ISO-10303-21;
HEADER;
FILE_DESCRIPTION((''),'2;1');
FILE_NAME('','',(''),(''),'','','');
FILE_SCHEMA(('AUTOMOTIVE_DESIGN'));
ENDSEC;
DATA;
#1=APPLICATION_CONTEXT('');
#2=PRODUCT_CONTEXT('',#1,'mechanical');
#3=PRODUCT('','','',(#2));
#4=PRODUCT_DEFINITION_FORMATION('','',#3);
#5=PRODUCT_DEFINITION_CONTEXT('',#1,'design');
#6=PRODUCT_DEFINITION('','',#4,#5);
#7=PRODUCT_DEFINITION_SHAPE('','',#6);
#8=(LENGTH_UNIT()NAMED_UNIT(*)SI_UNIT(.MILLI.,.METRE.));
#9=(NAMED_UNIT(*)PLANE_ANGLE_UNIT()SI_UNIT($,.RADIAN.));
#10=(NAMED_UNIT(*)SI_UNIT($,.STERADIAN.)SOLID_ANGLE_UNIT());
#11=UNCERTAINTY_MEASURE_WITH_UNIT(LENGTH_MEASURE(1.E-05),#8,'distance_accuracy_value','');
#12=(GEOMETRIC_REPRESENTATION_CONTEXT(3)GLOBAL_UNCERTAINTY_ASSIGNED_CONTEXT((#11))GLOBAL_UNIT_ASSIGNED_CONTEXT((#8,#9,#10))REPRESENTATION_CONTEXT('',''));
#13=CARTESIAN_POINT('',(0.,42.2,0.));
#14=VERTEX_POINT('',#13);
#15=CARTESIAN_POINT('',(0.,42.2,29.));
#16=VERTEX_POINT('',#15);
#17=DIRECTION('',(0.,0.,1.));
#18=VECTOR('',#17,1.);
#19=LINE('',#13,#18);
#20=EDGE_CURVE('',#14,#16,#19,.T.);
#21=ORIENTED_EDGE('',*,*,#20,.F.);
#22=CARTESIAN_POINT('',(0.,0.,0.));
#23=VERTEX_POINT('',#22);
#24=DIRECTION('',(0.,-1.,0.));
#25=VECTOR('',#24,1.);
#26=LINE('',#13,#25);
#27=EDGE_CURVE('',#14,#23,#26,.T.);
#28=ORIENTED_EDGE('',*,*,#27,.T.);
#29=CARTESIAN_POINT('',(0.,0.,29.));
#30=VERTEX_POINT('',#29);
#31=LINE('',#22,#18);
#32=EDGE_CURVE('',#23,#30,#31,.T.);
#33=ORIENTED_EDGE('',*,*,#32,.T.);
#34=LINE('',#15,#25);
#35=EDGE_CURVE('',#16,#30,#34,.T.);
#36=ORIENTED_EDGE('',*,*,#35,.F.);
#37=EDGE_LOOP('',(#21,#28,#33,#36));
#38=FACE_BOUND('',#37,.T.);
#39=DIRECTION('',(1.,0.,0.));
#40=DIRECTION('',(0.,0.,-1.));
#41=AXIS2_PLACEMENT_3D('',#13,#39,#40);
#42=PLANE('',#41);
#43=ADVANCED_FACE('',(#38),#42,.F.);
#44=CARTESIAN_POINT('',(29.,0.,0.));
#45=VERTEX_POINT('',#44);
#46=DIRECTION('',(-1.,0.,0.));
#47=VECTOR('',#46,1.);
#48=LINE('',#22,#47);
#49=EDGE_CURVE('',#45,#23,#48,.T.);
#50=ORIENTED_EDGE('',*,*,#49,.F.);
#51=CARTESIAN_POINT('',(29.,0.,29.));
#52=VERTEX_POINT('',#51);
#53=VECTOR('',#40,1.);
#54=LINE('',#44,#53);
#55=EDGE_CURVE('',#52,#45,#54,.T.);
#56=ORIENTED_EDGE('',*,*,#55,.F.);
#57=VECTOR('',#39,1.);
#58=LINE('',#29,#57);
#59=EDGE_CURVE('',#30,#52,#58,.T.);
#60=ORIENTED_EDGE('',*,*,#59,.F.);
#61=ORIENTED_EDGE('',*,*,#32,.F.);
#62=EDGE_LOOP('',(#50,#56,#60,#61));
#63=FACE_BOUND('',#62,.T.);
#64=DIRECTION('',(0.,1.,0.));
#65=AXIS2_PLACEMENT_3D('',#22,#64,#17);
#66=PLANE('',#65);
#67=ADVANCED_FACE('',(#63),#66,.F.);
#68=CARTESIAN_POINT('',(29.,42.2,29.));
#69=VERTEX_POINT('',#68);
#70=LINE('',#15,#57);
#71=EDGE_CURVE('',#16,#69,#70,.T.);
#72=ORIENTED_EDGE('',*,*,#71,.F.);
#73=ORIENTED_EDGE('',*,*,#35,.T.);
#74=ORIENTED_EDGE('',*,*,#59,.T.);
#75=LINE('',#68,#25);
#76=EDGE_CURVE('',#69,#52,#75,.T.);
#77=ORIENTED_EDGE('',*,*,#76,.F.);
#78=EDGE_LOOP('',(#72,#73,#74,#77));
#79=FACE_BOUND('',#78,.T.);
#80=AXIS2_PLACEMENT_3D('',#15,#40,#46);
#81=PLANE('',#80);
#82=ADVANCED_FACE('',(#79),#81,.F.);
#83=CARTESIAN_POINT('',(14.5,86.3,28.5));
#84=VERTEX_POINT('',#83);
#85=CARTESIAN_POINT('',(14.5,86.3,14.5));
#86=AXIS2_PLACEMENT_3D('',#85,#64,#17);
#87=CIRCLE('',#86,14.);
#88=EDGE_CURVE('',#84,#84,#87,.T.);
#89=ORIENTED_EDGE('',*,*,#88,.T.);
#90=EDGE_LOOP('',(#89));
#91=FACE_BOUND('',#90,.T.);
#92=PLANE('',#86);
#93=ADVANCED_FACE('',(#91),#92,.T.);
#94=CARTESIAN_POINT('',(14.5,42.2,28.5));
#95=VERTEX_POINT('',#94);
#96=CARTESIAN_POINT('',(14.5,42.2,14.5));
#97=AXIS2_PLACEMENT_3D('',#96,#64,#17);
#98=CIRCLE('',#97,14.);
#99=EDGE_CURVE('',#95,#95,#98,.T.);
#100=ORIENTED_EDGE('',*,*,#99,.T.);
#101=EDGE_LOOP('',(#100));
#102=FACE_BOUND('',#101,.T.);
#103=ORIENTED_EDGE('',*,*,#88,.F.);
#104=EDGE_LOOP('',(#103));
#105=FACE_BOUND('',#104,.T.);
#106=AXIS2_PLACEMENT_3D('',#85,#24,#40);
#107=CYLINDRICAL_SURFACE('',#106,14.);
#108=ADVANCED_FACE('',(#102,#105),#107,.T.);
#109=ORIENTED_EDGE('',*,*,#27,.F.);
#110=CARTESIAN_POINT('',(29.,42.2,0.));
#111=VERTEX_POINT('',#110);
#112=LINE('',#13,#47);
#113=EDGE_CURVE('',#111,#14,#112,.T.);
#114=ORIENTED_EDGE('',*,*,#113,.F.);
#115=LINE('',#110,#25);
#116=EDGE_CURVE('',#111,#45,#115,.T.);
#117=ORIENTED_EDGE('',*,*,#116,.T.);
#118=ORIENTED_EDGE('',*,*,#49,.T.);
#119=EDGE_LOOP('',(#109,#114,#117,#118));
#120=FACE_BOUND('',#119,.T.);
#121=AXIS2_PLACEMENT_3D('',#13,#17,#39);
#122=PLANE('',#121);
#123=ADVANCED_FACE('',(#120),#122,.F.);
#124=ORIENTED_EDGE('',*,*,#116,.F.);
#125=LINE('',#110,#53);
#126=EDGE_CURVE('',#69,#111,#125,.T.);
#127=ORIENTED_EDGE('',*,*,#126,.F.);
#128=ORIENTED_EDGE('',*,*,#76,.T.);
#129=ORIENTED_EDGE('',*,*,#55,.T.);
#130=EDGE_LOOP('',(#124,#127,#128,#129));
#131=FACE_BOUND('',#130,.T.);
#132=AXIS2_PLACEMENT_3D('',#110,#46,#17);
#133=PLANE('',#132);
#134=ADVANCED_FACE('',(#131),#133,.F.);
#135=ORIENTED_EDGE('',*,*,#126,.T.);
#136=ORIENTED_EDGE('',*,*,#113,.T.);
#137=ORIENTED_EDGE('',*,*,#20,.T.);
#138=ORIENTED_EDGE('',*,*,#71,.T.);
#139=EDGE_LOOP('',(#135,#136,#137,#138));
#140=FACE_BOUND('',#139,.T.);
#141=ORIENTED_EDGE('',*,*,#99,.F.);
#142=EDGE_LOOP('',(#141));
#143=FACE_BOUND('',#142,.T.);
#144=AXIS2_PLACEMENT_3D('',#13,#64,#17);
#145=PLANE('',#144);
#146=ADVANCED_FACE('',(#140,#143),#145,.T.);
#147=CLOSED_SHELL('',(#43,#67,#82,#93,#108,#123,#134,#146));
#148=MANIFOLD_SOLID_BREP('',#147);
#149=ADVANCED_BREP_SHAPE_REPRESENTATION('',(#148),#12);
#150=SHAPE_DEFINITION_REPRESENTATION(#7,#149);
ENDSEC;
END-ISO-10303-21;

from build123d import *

# Parameters (mm, degrees)
SKETCH2_W           = 29
SKETCH2_H           = 29
BOSS_EXTRUDE4_DEPTH = 42.2
SKETCH3_R           = 14
BOSS_EXTRUDE5_DEPTH = 44.1


with BuildPart() as part:
    # Sketch2 → Boss-Extrude4 (new body)
    with BuildSketch(Plane(origin=(0, 0, 0), x_dir=(1, 0, 0), z_dir=(0, 1, 0))):
        with Locations((14.5, -14.5)):
            Rectangle(SKETCH2_W, SKETCH2_H)
    extrude(amount=BOSS_EXTRUDE4_DEPTH)

    # Sketch3 → Boss-Extrude5 (add)
    with BuildSketch(Plane(origin=(0, 42.2, 0), x_dir=(1, 0, 0), z_dir=(0, 1, 0))):
        with Locations((14.5, -14.5)):
            Circle(SKETCH3_R)
    extrude(amount=BOSS_EXTRUDE5_DEPTH)


solid = part.part
